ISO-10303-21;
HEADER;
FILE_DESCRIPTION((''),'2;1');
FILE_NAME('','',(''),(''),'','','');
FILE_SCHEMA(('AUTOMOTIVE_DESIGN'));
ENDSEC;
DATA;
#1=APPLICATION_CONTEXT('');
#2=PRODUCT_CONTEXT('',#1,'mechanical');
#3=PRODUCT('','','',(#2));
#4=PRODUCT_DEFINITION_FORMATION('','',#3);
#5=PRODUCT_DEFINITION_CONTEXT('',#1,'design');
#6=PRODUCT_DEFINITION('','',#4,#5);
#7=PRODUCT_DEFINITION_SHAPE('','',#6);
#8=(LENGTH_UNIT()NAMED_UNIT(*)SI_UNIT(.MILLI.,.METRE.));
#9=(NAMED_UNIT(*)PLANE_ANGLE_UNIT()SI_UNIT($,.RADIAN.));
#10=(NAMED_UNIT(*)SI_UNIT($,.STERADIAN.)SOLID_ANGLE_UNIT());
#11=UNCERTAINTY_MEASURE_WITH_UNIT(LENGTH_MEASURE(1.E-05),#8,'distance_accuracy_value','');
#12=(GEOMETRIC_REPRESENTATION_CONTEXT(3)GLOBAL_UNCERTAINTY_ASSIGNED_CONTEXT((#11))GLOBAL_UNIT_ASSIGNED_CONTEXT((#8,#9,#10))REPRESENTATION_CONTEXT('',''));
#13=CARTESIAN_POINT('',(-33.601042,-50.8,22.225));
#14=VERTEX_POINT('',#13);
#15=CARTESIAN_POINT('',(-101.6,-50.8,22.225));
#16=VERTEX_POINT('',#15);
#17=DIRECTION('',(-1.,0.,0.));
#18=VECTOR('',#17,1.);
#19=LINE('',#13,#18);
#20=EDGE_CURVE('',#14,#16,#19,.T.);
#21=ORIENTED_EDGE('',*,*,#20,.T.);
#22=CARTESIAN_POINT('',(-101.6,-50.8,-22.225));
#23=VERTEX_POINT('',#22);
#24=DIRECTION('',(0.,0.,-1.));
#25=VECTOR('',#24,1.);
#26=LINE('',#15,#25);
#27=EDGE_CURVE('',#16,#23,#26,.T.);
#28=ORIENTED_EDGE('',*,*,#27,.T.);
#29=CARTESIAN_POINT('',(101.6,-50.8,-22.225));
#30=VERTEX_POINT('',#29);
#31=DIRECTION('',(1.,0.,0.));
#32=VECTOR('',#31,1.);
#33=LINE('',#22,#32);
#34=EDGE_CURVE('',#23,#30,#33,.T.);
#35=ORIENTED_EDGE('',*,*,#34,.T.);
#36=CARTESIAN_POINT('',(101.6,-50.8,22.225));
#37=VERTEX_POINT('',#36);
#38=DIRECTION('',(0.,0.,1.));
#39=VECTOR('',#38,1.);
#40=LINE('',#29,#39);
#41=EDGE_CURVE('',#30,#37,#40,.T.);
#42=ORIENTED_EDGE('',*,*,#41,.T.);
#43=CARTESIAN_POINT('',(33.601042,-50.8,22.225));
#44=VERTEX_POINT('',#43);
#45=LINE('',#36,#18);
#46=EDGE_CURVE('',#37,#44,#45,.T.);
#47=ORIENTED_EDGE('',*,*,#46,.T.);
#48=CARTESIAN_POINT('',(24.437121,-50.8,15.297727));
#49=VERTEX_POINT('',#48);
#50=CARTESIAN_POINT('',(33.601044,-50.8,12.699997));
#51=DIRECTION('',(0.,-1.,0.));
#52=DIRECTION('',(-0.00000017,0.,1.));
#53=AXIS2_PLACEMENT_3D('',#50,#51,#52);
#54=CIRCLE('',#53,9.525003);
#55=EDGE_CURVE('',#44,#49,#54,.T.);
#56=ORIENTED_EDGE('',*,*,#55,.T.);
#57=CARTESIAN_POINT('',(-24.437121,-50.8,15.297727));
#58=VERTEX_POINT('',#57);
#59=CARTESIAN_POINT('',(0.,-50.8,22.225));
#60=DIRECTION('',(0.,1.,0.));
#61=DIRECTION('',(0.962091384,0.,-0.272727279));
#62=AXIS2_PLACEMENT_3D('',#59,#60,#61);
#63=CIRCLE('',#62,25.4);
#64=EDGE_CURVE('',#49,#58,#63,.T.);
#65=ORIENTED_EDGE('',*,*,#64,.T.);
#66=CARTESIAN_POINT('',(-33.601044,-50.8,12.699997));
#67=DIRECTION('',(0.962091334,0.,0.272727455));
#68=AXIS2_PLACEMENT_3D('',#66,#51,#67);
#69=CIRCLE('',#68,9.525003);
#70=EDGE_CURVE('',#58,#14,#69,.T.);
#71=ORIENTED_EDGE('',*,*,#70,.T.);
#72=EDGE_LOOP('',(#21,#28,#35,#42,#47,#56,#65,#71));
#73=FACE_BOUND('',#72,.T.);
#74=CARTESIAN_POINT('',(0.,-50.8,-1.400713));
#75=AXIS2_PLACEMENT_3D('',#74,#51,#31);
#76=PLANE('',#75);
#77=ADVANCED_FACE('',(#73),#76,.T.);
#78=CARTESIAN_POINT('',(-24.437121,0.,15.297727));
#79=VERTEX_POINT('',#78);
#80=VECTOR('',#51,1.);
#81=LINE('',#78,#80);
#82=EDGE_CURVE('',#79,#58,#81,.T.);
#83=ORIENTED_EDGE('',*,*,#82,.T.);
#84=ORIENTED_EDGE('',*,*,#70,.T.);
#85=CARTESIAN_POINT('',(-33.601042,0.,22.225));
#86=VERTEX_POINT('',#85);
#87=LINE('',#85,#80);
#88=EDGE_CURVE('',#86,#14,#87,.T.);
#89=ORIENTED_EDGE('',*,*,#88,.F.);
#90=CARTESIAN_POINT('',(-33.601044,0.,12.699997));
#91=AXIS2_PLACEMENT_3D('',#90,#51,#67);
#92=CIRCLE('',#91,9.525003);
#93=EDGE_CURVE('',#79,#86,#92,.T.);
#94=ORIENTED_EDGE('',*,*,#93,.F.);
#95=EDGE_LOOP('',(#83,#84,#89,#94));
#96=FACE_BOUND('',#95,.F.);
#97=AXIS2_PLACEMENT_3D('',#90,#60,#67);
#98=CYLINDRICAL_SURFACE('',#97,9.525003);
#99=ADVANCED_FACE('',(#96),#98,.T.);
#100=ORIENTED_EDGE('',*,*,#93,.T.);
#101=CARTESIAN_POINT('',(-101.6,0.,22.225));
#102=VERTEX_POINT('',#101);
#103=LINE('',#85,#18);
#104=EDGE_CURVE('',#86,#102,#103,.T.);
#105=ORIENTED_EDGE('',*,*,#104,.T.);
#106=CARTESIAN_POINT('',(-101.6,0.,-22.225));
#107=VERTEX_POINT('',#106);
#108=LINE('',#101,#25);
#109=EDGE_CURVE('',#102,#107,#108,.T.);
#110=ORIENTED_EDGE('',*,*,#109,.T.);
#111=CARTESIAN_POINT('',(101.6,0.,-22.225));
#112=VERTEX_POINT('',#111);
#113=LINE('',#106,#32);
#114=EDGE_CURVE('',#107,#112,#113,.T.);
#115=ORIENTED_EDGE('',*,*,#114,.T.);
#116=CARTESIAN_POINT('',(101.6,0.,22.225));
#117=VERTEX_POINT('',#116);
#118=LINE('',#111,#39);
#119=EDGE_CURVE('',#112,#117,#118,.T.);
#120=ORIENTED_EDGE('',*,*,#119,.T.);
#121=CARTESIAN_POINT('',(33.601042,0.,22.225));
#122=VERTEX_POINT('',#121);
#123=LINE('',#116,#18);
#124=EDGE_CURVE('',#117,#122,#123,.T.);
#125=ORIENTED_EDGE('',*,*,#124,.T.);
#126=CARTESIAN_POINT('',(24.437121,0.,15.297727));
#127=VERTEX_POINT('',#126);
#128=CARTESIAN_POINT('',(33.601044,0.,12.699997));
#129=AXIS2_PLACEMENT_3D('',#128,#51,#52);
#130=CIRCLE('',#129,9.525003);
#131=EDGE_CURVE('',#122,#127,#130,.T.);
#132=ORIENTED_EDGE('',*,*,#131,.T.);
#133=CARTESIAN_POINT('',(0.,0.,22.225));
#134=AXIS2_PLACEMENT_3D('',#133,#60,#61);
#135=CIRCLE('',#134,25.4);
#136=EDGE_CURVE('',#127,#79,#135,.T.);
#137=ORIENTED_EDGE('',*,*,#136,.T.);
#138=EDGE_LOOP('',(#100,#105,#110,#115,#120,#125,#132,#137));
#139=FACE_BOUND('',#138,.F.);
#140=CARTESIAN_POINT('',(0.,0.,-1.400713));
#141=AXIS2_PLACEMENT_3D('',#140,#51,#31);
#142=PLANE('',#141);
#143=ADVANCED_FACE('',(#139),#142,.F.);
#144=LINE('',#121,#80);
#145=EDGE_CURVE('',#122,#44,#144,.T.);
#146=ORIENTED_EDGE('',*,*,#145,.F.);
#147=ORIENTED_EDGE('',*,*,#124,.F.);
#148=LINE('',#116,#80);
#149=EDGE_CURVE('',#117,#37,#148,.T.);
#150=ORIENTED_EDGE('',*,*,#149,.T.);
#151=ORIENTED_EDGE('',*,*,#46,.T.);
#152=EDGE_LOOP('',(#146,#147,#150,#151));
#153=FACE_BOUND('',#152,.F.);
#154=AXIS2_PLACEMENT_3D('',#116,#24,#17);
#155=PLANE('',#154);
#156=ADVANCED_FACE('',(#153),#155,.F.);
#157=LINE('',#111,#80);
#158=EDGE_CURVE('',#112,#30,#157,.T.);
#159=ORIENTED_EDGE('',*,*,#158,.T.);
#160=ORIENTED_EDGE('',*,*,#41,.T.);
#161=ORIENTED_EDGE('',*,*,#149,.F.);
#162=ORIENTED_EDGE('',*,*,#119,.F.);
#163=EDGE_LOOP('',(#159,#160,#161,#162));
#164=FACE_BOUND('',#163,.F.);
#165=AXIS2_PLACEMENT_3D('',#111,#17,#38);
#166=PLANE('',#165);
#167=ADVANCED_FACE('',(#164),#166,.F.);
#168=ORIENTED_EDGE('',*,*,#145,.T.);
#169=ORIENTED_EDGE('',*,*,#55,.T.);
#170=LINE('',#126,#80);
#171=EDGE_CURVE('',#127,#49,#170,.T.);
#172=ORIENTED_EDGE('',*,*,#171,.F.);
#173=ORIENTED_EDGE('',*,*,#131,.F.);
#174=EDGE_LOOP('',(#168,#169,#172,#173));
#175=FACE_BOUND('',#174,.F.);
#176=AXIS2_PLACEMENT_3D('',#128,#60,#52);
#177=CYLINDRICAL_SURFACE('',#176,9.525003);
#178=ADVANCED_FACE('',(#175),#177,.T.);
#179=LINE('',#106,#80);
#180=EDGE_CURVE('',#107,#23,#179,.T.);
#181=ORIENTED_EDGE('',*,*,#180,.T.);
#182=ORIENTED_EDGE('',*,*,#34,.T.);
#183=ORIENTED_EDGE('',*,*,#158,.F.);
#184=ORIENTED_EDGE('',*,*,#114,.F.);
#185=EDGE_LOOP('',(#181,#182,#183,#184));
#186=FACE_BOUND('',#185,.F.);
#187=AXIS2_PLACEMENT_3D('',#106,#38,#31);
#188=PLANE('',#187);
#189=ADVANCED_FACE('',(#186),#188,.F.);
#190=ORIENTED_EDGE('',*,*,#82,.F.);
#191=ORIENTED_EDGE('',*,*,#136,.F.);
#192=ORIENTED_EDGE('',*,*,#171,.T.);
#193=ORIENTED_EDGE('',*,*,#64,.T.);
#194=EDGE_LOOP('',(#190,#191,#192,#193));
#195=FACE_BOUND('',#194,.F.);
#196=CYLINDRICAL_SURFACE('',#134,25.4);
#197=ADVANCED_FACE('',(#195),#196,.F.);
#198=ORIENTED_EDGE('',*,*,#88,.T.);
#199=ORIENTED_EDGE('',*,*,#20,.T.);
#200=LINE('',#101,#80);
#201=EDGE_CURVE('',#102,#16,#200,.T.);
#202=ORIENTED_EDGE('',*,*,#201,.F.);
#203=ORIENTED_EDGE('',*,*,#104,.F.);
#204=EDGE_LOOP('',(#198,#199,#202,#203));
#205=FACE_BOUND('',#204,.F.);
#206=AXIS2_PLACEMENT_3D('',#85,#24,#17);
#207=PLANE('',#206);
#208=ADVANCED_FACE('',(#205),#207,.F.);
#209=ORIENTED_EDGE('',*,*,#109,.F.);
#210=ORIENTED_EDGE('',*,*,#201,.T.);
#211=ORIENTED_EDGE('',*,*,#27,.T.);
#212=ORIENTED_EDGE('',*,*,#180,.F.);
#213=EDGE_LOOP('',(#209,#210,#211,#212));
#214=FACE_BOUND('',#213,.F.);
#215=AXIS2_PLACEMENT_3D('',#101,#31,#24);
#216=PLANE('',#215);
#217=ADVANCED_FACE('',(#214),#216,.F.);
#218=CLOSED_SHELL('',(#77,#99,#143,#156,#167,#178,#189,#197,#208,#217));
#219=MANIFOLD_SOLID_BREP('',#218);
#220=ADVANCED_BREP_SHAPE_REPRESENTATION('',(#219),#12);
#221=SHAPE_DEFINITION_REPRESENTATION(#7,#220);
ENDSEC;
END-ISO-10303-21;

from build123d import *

# Parameters (mm, degrees)
F1_DEPTH = 50.8


with BuildPart() as f1:
    # F0 (on Front) → F1 (new body)
    with BuildSketch(Plane.XZ):
        with BuildLine():
            Line((101.6, -22.225), (101.6, 22.225))
            Line((101.6, 22.225), (33.601042, 22.225))
            ThreePointArc((33.601042, 22.225), (27.857251, 20.298321), (24.437121, 15.297727))
            ThreePointArc((24.437121, 15.297727), (0, -3.175), (-24.437121, 15.297727))
            ThreePointArc((-24.437121, 15.297727), (-27.857251, 20.298321), (-33.601042, 22.225))
            Line((-33.601042, 22.225), (-101.6, 22.225))
            Line((-101.6, 22.225), (-101.6, -22.225))
            Line((-101.6, -22.225), (101.6, -22.225))
        make_face()
    extrude(amount=F1_DEPTH)


solid = f1.part
